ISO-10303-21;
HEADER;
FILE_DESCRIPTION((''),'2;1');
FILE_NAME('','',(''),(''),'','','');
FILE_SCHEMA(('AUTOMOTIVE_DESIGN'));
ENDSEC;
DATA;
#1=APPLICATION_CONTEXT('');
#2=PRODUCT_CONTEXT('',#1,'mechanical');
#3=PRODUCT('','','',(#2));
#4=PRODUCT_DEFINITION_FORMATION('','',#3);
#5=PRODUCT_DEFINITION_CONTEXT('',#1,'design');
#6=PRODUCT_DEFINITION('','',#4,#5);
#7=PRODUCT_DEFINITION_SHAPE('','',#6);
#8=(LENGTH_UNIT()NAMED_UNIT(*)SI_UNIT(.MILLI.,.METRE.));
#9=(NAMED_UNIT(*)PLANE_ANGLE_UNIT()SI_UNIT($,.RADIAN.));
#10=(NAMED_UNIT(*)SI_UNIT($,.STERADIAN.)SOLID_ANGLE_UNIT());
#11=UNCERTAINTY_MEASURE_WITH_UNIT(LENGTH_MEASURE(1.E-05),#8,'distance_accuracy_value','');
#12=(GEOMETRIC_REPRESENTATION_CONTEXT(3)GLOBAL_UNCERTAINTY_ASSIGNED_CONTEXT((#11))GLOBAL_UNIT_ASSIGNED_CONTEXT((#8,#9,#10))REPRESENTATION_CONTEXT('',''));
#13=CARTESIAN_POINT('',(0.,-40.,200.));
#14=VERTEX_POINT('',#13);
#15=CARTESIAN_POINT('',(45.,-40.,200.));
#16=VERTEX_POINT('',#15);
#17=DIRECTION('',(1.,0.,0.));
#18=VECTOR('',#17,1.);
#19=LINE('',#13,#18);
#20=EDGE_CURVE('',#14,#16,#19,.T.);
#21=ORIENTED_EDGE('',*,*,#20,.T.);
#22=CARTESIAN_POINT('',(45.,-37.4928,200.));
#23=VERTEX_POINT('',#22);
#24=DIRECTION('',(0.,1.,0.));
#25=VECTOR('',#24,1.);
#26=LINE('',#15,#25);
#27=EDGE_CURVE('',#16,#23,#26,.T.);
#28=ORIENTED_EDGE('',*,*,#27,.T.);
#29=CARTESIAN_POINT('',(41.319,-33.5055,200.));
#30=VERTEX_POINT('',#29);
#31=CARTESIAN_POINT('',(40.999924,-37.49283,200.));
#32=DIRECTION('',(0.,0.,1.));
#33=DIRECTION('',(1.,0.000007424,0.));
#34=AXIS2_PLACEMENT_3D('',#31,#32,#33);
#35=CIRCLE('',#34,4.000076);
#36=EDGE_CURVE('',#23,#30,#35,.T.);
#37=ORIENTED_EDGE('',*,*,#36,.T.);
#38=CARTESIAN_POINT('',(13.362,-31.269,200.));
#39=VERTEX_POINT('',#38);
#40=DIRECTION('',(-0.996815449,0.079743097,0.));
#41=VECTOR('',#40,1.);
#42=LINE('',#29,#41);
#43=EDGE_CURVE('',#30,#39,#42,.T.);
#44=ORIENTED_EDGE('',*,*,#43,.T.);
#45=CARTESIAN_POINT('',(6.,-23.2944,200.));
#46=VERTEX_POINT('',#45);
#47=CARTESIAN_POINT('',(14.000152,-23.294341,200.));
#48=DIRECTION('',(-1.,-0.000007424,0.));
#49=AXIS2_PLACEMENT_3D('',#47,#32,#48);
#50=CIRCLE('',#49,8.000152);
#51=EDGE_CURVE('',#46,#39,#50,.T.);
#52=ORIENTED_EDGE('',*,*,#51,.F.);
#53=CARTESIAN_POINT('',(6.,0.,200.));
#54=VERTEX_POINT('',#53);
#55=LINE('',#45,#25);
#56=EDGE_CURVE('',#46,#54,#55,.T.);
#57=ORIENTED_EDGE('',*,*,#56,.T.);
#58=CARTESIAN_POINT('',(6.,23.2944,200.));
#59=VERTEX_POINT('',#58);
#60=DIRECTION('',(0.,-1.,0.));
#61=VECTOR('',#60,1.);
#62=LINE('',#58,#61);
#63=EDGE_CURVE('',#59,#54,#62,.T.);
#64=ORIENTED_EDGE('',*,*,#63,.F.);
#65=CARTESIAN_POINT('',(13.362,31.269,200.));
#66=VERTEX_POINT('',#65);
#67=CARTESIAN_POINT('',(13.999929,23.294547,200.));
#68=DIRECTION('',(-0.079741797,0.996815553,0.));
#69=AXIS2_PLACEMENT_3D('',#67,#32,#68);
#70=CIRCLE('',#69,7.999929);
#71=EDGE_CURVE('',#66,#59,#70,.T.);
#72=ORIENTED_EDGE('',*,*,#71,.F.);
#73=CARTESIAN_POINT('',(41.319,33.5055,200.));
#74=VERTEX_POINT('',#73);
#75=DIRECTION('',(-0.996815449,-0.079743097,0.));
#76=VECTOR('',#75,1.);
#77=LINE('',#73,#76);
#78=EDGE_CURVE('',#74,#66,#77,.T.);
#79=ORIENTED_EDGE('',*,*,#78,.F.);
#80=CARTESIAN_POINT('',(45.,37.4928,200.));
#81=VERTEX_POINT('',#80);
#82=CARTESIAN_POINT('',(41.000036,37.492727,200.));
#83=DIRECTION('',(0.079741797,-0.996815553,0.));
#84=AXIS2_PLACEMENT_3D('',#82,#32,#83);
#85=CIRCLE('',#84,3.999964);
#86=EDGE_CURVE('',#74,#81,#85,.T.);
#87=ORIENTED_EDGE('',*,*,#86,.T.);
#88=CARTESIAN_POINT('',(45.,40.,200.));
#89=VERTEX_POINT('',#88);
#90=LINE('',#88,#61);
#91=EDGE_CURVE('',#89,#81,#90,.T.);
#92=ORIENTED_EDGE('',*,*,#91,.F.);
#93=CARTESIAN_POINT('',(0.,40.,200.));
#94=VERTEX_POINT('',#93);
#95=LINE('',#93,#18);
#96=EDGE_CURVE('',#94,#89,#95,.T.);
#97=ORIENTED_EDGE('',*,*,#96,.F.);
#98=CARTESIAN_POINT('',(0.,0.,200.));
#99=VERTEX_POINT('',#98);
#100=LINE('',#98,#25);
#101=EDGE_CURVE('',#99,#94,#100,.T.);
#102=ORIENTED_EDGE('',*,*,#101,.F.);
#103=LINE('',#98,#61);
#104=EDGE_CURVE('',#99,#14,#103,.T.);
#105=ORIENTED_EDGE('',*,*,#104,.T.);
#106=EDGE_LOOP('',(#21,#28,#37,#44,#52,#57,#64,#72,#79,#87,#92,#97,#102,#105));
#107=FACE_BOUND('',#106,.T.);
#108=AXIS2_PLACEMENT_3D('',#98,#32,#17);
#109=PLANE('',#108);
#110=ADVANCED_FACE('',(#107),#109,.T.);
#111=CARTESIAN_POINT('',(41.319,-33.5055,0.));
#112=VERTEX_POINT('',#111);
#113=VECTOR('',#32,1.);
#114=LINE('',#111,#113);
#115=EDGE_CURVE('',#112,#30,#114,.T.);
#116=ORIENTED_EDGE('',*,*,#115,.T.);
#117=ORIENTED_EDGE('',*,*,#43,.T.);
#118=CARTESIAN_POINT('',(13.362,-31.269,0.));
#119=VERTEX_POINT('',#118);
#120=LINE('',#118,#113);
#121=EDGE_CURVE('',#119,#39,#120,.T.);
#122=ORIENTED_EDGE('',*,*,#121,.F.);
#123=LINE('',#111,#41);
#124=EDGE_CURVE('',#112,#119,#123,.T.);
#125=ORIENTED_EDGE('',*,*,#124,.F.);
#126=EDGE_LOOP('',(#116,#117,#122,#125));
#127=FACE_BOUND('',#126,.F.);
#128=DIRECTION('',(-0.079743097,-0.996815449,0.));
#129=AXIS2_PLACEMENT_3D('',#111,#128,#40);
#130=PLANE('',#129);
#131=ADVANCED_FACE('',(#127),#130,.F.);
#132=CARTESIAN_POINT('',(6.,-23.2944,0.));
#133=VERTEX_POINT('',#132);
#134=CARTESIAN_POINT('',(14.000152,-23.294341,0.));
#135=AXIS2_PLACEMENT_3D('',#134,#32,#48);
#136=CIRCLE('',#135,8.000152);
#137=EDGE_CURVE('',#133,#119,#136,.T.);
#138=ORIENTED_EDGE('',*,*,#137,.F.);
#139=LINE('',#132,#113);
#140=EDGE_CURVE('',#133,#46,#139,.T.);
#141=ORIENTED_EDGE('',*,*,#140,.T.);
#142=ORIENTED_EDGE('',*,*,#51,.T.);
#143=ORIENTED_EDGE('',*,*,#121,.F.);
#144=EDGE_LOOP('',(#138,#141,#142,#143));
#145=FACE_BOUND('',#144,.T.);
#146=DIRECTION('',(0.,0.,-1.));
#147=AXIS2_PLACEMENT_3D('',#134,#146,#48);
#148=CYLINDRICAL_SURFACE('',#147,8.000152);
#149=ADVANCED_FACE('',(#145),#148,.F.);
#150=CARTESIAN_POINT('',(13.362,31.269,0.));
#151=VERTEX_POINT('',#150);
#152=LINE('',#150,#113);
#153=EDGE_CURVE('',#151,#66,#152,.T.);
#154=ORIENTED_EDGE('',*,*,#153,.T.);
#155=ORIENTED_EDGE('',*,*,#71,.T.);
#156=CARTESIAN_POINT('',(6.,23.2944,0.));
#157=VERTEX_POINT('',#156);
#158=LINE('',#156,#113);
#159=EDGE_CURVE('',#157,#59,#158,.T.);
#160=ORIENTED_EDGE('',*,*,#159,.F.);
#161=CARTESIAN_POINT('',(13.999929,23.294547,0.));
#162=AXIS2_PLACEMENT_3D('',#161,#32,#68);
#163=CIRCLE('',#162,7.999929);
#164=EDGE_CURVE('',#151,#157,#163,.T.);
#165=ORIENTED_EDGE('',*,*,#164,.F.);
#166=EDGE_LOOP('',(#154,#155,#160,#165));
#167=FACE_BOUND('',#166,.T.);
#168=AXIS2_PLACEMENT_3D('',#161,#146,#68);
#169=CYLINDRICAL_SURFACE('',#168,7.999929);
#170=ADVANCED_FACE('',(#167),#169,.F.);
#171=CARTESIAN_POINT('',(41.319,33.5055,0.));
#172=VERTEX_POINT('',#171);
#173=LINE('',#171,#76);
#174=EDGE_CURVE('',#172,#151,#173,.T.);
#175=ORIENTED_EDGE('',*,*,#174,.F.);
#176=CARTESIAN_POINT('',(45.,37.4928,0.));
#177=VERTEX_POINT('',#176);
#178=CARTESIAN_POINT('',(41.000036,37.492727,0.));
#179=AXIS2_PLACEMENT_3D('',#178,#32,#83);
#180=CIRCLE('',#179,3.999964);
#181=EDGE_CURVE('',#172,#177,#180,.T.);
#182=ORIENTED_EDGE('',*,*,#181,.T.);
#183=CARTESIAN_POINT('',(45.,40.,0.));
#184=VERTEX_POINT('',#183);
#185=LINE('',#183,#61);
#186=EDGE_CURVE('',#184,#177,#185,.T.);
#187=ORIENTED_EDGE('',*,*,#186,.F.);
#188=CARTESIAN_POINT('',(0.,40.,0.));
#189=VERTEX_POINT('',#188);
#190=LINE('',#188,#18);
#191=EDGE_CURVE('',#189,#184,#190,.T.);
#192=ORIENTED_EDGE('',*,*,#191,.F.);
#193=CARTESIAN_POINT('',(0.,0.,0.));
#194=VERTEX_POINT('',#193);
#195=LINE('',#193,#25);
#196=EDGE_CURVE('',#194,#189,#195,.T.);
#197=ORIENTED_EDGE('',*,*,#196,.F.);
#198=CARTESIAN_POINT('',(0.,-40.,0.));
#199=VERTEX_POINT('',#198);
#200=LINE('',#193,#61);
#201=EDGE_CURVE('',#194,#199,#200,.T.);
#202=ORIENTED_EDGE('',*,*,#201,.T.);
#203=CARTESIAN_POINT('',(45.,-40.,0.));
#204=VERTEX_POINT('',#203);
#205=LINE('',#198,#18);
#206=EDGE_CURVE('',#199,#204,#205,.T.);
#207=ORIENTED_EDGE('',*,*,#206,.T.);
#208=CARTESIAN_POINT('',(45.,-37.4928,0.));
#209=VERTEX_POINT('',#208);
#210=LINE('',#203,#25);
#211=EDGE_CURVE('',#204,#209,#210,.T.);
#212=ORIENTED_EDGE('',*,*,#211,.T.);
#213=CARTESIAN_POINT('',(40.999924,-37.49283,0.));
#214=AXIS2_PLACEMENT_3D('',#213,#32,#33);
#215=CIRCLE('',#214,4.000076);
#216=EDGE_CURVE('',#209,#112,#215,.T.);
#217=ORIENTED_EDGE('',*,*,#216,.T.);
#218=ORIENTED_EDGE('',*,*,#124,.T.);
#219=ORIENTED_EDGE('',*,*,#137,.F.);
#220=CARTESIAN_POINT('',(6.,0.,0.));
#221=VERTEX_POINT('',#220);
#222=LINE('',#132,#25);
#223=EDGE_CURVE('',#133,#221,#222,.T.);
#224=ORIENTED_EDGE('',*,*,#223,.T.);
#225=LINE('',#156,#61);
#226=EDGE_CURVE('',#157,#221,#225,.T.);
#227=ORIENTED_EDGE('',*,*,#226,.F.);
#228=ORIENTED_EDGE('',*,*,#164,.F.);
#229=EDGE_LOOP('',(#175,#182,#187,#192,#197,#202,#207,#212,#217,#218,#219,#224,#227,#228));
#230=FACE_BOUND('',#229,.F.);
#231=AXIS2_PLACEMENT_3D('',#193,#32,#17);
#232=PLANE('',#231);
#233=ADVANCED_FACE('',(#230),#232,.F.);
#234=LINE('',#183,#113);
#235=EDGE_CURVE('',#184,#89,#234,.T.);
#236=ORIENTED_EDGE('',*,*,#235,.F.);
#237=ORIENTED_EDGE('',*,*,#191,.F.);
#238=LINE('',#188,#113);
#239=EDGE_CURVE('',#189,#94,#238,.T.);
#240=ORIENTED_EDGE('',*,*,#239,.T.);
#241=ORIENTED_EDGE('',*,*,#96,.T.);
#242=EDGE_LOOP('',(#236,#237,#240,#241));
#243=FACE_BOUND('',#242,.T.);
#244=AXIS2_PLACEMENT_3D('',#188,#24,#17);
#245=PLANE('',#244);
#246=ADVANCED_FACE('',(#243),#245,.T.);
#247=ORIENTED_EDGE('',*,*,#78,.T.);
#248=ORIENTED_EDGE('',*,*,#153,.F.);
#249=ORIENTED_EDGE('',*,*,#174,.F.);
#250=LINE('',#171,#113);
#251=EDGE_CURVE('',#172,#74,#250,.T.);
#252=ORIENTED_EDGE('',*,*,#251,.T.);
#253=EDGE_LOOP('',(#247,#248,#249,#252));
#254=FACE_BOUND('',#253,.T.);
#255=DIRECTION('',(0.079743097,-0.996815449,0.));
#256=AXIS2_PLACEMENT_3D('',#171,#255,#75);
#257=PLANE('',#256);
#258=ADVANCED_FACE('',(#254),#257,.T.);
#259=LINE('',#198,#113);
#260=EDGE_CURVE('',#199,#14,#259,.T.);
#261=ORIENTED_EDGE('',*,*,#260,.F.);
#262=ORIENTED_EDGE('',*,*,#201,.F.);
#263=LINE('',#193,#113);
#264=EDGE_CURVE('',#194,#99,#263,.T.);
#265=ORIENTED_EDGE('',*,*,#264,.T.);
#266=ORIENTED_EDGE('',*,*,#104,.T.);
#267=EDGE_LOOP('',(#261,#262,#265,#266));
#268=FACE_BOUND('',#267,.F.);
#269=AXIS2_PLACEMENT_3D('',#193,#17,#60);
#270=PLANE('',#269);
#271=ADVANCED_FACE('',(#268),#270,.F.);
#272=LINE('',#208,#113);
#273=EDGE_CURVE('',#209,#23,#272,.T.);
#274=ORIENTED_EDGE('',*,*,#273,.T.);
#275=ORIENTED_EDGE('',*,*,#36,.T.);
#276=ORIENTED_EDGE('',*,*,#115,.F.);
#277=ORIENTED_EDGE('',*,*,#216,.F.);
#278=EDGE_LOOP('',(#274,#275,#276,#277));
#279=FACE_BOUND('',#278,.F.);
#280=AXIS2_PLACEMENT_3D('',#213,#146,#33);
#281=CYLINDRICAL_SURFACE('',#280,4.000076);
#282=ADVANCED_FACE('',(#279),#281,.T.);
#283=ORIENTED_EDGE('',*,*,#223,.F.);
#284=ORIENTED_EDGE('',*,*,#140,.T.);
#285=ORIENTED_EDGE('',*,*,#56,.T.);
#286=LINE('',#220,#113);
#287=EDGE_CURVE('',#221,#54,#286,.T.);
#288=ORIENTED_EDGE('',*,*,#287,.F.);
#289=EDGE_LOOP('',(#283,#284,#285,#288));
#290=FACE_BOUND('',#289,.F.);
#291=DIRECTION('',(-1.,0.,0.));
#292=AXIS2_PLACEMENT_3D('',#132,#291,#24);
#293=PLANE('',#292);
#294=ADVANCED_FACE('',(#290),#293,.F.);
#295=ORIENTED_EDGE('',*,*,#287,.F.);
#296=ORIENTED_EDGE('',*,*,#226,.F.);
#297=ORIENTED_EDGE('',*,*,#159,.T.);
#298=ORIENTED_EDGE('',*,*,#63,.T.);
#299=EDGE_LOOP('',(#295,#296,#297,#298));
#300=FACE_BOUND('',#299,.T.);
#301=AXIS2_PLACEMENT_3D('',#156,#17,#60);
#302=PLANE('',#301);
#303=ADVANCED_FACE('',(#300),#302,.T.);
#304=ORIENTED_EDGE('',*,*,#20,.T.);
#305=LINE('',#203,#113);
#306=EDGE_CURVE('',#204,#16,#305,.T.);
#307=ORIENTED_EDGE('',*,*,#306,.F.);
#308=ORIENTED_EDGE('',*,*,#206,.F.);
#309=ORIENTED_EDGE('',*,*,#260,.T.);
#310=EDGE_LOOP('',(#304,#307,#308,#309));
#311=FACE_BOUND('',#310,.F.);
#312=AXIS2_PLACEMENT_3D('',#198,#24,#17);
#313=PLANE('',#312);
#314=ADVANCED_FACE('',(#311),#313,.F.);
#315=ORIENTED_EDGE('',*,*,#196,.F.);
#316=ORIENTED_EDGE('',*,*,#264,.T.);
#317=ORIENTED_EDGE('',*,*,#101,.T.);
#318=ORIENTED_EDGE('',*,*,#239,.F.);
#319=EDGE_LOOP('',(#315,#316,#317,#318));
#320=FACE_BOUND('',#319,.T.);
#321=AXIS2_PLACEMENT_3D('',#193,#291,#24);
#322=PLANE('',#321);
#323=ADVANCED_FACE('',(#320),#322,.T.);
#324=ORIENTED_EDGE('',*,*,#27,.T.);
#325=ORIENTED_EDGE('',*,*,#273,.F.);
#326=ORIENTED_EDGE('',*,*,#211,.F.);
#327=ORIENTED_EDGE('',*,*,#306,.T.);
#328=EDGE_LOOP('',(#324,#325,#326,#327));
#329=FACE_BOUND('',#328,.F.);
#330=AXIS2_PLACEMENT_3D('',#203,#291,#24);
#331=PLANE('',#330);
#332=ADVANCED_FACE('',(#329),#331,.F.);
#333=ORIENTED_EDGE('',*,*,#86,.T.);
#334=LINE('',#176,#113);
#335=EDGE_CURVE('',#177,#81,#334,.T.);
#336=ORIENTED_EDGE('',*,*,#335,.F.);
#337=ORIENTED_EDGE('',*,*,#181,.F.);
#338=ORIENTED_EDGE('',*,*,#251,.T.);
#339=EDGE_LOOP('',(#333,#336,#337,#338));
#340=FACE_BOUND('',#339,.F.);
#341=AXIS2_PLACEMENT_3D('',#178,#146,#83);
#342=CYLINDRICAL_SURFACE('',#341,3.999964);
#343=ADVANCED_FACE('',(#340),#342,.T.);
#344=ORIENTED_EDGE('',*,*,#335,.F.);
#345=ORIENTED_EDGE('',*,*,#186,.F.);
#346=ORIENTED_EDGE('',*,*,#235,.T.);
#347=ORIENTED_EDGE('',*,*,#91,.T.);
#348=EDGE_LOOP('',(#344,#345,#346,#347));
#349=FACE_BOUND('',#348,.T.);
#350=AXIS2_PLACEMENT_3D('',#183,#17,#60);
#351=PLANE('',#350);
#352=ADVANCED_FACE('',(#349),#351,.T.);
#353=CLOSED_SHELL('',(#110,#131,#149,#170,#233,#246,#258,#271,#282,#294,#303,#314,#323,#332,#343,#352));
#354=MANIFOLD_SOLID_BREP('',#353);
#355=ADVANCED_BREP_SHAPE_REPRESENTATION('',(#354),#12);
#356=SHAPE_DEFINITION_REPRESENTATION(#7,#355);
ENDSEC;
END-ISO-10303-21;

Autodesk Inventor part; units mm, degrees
ref_plane "YZ Plane" through (0, 0, 0) normal (1, 0, 0) x (0, 1, 0)
ref_plane "Start plane" through (0, 0, 0) normal (0, 0, 1) x (1, 0, 0)
ref_plane "End plane" through (0, 0, 350) normal (0, 0, 1) x (1, 0, 0)
sketch "Sketch" plane through (0, 0, 0) normal (0, 0, 1) x (1, 0, 0)
  line L0 (0, 0) -> (0, 40)
  line L1 (0, 40) -> (45, 40)
  line L2 (45, 40) -> (45, 37.4928)
  line L3 (41.319, 33.5055) -> (13.362, 31.269)
  line L4 (6, 23.2944) -> (6, 0)
  line L5 (6, 0) -> (0, 0) construction
  line L6 (22.5, 40) -> (22.5, 32) construction
  line L7 (45, 33.8) -> (45, 32) construction
  line L8 (45, 32) -> (22.5, 32) construction
  line L9 (0, 15) -> (0, -27) construction
  line L10 (-5.539, 0) -> (16.0067, 0) construction
  line L11 (0, 0) -> (0, -40)
  line L12 (0, -40) -> (45, -40)
  line L13 (45, -40) -> (45, -37.4928)
  line L14 (41.319, -33.5055) -> (13.362, -31.269)
  line L15 (6, -23.2944) -> (6, 0)
  arc A0 (13.362, 31.269) -> (6, 23.2944) centre (14, 23.2944) ccw
  arc A1 (6, -23.2944) -> (13.362, -31.269) centre (14, -23.2944) ccw
  arc A2 (41.319, 33.5055) -> (45, 37.4928) centre (41, 37.4928) ccw
  arc A3 (45, -37.4928) -> (41.319, -33.5055) centre (41, -37.4928) ccw
  line L16 (0, 56) -> (0, -56) construction
  line L17 (-15.8027, 0) -> (56.0433, 0) construction
  point P0 (6, 30.68)
  point P1 (45, -33.8)
  point P2 (6, -30.68)
  point P3 (22.5, -40)
  point P4 (22.5, -32)
  dimension "d0" = 6
  dimension "d1" = 40
  dimension "d2" = 45
  dimension "d3" = 8
  dimension "d4" = 22.5
  dimension "d5" = 1.8
  dimension "d23" = 8
  dimension "d24" = 4
  dimension "d25" = 0
extrude "Body" add sketch "Sketch" along normal blind 200
sketch "Sketch3" plane through (0, 0, 0) normal (0, 0, 1) x (1, 0, 0)
  line L0 (0, 0) -> (10, 0)
ref_plane "Work Plane3" through (0, 0, 0) normal (0, -1, 0) x (1, 0, 0)
sketch "Sketch4" plane through (0, 0, 0) normal (0, -1, 0) x (1, 0, 0)
  line L0 (-2, 0) -> (12, 0)
  line L1 (-2, 350) -> (12, 350)
  dimension "d29" = 350
equation "\"d0\" = G_T"
equation "\"d1\" = 0.5 * G_H"
equation "\"d2\" = G_W"
equation "\"d3\" = G_T1"
equation "\"d4\" = G_C"
equation "\"d23\" = G_IR"
equation "\"d24\" = G_ER"
equation "\"G_W\" = 45"
equation "\"G_T\" = 6"
equation "\"G_T1\" = 8"
equation "\"G_NG\" = 0.08"
equation "\"G_ER\" = 4"
equation "\"G_IR\" = 8"
equation "\"G_C\" = 22.5"
equation "\"G_L\" = d29"
equation "\"ex\" = 0"
equation "\"G_OFFSET_START\" = 0"
equation "\"G_OFFSET_END\" = 0"
equation "\"G_H\" = 80"
properties part number "DIN1026-1 - U 80 - 350" material "Steel, Mild"
